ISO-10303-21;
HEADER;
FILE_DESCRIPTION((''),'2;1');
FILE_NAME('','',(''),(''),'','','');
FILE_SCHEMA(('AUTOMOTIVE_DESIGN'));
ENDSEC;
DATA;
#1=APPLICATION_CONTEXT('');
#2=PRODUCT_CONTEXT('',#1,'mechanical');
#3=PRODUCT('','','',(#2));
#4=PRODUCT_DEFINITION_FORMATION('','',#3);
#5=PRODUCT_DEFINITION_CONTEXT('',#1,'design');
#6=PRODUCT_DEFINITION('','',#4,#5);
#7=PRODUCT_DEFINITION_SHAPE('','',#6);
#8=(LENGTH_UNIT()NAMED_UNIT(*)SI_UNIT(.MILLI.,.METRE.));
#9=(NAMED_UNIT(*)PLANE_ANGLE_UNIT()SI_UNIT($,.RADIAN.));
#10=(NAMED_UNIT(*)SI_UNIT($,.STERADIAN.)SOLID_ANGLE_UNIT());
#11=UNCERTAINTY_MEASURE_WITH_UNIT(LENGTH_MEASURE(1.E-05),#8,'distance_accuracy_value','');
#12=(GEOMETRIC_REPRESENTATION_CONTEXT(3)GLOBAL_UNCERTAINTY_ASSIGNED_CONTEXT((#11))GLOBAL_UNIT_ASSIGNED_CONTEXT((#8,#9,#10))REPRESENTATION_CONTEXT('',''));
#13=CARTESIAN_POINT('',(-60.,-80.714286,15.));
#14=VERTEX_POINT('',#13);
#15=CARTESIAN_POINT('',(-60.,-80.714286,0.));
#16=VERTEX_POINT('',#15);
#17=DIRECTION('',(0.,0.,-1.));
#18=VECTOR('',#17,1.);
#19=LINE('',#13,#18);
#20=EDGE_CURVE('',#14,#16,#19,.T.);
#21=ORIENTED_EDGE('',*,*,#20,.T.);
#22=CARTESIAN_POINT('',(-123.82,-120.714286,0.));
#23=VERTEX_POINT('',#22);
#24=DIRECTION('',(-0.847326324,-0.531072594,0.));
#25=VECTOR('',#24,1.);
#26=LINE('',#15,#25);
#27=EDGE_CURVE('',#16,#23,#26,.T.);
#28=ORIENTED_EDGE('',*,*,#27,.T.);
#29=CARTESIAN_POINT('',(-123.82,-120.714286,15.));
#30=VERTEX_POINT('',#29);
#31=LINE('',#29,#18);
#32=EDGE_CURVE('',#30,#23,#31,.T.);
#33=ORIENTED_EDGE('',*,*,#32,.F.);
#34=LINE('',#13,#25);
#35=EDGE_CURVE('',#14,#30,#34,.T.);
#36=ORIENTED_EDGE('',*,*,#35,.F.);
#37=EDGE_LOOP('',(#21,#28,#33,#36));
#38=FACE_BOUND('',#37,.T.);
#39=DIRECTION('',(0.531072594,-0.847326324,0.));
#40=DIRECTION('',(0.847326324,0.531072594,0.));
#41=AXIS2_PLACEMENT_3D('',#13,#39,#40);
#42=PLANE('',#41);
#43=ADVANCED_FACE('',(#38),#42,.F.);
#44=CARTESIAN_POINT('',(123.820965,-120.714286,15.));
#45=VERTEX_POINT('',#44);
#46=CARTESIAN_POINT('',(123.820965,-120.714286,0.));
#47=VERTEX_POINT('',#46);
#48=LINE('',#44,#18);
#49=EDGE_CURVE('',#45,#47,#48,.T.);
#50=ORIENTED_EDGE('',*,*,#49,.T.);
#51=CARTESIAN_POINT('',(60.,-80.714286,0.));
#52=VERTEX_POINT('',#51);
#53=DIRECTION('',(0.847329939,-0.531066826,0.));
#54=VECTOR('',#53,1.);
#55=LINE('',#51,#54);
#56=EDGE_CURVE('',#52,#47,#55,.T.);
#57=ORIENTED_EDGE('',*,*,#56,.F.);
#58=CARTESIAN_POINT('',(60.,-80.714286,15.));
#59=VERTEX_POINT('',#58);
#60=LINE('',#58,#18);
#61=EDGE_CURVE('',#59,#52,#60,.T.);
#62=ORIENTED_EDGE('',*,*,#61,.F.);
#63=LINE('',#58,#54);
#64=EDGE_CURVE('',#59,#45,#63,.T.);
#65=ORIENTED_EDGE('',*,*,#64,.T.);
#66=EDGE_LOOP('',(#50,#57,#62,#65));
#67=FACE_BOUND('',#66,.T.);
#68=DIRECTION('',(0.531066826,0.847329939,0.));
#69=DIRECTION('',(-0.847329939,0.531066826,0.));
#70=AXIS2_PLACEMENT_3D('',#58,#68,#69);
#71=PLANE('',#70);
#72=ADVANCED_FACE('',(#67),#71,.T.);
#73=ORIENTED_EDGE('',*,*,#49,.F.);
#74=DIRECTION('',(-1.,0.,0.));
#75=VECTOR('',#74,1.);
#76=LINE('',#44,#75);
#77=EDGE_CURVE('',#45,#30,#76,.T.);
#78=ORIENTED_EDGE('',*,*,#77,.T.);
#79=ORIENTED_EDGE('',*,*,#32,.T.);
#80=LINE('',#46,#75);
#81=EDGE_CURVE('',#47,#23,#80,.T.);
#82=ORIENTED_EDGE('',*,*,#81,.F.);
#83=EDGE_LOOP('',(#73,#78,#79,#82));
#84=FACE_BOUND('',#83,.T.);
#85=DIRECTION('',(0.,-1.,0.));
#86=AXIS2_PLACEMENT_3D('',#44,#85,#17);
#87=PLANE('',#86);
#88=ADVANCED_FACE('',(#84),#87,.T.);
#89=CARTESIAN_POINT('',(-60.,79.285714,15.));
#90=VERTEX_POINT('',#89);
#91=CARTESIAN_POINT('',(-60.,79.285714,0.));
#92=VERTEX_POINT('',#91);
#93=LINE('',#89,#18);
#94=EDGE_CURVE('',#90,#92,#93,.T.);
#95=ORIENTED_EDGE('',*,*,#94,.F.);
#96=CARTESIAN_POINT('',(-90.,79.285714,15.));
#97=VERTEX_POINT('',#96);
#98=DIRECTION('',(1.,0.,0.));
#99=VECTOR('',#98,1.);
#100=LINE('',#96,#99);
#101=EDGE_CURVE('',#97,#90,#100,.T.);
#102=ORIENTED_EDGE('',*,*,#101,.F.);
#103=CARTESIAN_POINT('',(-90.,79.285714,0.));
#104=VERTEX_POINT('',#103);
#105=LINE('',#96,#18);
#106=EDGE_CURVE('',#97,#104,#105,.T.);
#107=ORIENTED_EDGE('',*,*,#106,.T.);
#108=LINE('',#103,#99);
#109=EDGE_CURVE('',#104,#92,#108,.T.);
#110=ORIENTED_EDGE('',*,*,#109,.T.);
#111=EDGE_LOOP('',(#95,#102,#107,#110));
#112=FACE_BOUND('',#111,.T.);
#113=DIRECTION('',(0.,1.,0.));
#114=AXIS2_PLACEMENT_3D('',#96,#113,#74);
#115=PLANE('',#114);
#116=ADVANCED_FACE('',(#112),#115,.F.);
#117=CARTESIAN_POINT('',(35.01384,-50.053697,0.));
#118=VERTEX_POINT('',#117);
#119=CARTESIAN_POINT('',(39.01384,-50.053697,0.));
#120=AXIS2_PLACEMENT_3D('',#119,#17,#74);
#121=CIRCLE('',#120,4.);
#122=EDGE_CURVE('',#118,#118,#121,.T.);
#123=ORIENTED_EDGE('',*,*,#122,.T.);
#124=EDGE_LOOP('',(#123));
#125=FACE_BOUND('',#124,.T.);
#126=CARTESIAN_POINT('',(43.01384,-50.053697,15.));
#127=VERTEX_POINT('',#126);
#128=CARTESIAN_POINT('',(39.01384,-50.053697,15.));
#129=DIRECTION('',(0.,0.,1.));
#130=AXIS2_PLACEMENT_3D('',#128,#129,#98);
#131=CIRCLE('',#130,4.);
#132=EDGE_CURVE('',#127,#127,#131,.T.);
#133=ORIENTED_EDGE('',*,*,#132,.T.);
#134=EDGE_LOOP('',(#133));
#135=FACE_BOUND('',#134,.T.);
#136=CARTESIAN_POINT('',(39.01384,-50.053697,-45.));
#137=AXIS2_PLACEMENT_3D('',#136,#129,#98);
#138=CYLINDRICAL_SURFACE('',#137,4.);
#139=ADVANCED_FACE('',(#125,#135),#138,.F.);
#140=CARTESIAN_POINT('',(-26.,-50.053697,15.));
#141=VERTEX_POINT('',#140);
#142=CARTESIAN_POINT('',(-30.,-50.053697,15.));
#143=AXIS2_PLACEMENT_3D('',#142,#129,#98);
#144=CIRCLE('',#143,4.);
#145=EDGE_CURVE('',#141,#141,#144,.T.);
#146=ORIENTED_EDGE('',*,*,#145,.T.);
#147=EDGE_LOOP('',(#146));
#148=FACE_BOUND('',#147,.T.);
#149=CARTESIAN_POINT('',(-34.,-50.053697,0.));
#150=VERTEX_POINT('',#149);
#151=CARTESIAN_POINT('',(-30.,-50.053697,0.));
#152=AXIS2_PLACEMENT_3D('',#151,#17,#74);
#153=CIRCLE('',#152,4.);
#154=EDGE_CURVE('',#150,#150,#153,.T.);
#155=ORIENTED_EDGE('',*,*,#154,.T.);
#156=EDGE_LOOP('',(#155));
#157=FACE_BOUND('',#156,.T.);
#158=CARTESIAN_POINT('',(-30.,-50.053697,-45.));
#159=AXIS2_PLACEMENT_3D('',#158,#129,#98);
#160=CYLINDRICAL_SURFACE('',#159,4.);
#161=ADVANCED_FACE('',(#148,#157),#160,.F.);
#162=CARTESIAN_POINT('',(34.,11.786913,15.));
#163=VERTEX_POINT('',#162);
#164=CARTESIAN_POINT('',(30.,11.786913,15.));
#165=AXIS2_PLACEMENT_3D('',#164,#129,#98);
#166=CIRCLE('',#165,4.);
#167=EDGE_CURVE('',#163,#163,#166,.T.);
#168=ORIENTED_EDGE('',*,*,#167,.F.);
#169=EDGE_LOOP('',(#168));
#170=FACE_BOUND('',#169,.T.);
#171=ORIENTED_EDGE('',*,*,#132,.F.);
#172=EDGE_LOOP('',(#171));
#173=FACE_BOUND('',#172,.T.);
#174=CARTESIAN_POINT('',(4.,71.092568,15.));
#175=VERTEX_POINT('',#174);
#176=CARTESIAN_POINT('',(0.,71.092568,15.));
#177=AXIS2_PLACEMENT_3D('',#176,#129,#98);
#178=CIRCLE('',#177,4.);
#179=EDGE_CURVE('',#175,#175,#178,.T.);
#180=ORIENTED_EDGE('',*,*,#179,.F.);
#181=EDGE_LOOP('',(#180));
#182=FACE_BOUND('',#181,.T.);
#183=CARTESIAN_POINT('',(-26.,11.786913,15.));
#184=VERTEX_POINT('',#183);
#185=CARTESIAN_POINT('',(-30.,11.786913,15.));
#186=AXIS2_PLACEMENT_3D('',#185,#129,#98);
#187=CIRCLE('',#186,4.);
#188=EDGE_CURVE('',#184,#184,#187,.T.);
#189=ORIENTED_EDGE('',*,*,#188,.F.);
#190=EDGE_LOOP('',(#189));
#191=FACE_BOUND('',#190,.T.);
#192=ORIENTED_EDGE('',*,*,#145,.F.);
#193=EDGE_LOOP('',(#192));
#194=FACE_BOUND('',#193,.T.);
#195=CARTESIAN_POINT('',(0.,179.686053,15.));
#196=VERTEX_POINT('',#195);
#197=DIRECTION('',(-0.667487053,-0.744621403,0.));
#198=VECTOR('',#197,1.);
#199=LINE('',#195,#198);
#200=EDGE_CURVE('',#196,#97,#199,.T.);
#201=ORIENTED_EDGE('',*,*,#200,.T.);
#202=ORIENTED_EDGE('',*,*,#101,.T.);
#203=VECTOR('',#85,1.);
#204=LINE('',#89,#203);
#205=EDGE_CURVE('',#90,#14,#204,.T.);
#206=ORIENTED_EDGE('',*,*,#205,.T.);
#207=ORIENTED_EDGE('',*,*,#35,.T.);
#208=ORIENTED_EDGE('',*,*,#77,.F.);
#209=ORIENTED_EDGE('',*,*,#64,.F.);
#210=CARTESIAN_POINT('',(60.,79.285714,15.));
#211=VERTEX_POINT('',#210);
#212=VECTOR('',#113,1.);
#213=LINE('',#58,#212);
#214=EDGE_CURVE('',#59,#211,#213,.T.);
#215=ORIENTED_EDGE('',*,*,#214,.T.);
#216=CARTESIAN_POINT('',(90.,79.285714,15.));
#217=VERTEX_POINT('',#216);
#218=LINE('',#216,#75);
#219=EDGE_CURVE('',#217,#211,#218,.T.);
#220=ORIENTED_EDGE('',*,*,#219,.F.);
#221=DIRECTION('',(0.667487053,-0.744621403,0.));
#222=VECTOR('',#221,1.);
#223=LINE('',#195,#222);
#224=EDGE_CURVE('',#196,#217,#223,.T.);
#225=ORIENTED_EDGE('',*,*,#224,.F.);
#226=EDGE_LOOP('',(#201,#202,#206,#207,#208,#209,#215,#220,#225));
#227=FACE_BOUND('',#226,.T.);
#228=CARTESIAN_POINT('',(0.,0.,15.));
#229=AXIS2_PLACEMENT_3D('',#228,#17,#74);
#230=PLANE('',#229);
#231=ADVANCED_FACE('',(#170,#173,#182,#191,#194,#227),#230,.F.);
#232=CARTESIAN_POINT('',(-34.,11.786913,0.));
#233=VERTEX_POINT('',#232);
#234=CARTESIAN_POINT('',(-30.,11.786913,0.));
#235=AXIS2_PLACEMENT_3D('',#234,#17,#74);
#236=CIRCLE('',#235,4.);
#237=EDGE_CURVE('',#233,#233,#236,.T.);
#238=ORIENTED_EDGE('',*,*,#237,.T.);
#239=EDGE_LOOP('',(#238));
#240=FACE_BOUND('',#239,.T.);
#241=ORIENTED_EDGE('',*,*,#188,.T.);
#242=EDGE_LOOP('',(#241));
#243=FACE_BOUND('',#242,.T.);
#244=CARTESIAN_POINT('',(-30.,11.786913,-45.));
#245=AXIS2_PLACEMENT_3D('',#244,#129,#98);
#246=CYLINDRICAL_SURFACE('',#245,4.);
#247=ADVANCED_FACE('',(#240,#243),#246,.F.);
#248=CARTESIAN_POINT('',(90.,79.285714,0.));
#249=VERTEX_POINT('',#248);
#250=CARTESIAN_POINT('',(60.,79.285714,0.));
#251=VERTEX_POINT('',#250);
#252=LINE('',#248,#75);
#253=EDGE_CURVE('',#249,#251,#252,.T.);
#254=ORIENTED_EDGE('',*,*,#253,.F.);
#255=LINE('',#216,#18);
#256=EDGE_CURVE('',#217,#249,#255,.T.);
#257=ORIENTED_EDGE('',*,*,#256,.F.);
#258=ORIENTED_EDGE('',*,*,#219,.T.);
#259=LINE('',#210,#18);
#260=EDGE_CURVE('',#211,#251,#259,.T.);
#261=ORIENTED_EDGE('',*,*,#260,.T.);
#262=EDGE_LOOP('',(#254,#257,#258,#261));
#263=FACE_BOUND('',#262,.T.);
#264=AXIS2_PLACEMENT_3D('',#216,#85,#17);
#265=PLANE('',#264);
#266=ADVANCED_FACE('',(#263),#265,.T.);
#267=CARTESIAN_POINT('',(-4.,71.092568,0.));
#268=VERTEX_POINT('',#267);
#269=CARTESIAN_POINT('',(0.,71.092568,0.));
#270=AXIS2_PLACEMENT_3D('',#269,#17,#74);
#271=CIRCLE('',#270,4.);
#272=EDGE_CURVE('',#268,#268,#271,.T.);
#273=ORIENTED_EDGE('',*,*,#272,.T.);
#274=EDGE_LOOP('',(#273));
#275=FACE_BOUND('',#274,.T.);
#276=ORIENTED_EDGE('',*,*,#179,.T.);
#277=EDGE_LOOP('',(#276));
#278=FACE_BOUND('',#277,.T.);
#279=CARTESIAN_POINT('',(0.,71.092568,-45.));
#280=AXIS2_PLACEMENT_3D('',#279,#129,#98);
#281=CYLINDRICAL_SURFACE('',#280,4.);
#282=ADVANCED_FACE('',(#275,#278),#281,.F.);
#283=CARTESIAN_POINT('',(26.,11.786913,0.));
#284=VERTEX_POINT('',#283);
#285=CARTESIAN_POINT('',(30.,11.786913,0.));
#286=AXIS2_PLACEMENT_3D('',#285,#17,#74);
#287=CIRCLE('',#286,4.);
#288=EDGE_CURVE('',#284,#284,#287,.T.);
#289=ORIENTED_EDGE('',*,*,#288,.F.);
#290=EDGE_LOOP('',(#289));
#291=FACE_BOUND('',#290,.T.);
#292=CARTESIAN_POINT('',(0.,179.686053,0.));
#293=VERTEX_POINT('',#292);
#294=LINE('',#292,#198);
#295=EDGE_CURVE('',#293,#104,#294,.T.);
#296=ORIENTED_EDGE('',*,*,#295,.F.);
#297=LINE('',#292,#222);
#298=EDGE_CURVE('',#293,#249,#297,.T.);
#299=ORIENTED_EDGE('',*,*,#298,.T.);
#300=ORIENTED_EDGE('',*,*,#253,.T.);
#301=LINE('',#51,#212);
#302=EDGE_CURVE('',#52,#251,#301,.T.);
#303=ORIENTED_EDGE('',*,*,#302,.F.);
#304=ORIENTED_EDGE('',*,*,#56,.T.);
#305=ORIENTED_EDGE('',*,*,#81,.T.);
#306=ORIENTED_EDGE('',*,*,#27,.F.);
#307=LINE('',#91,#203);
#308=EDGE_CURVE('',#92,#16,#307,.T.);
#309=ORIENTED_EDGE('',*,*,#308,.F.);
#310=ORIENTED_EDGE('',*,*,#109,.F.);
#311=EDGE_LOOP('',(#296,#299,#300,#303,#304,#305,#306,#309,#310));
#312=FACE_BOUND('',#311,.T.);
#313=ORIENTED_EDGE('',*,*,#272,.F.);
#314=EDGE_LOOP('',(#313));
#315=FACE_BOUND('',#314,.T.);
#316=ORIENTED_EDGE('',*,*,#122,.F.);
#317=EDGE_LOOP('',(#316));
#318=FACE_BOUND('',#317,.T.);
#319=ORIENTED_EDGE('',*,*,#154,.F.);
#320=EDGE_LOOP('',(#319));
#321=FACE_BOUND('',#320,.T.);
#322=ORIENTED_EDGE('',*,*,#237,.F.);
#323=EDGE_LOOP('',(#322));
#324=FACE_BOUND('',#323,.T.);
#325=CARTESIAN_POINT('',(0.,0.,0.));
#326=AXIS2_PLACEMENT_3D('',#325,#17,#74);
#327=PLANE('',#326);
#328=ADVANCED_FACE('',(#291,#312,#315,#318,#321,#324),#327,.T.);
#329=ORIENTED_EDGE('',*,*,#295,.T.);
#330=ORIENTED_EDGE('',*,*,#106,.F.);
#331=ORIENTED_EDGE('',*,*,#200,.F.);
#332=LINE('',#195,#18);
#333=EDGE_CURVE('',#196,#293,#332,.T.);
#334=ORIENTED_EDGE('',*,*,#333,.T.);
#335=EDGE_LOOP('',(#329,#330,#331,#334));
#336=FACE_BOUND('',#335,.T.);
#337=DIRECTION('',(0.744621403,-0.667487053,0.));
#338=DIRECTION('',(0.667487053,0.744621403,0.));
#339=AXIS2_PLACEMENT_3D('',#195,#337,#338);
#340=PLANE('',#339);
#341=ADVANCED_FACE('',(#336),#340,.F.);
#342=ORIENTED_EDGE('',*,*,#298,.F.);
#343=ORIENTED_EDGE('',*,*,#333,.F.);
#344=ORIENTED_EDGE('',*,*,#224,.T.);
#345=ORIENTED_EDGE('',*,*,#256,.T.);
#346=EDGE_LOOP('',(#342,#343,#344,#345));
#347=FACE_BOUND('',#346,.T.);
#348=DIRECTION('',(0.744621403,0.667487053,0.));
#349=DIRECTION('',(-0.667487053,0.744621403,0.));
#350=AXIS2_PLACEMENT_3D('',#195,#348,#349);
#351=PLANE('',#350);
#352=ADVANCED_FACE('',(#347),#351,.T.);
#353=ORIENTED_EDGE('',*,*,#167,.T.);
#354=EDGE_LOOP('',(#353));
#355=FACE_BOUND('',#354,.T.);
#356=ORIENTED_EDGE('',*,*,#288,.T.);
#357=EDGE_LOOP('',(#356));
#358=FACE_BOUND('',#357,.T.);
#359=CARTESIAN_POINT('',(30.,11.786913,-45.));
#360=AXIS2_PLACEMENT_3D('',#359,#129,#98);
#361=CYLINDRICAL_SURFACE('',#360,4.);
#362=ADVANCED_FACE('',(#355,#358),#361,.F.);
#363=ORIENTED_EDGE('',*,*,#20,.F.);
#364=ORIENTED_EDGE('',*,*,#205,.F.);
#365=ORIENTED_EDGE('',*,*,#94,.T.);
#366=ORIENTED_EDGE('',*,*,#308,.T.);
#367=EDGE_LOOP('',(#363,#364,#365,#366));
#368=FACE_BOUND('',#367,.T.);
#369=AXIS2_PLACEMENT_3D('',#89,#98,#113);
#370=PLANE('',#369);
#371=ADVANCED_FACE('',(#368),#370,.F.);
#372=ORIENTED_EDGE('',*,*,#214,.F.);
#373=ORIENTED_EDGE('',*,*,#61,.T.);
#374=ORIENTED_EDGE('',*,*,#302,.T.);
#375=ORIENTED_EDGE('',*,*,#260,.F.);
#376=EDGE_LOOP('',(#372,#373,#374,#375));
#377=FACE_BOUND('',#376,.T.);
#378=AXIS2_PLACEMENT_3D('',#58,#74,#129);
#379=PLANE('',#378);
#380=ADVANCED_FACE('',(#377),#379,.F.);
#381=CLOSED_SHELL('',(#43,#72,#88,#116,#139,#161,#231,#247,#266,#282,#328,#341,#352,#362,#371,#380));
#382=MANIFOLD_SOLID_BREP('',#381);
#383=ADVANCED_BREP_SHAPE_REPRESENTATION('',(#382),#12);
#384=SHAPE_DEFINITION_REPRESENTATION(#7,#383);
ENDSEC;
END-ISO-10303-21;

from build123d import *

# Parameters (mm, degrees)
BOSS_EXTRU_1_DEPTH      = 15
ESQUISSE2_R             = 4
ENL_V_MAT_EXTRU_2_DEPTH = 60
ESQUISSE4_R             = 4
ENL_V_MAT_EXTRU_3_DEPTH = 60


with BuildPart() as part:
    # Esquisse1 → Boss.-Extru.1 (new body)
    with BuildSketch(Plane.XY):
        Polygon((60, -80.714285714), (123.820965425, -120.714285714), (-123.82, -120.714285714), (-60, -80.714285714), (-60, 79.285714286), (-90, 79.285714286), (0, 179.686053035), (90, 79.285714286), (60, 79.285714286), align=None)
    extrude(amount=BOSS_EXTRU_1_DEPTH)

    # Esquisse2 → Enlèv. mat.-Extru.2 (cut)
    with BuildSketch(Plane.XY.offset(15)):
        with Locations((0, 71.092567552)):
            Circle(ESQUISSE2_R)
    extrude(amount=-ENL_V_MAT_EXTRU_2_DEPTH, mode=Mode.SUBTRACT)

    # Esquisse4 → Enlèv. mat.-Extru.3 (cut)
    with BuildSketch(Plane.XY.offset(15)):
        with Locations((30, 11.786912572)):
            Circle(ESQUISSE4_R)
        with Locations((39.013840353, -50.053697219)):
            Circle(ESQUISSE4_R)
        with Locations((-30, 11.786912572)):
            Circle(ESQUISSE4_R)
        with Locations((-30, -50.053697219)):
            Circle(ESQUISSE4_R)
    extrude(amount=-ENL_V_MAT_EXTRU_3_DEPTH, mode=Mode.SUBTRACT)


solid = part.part
